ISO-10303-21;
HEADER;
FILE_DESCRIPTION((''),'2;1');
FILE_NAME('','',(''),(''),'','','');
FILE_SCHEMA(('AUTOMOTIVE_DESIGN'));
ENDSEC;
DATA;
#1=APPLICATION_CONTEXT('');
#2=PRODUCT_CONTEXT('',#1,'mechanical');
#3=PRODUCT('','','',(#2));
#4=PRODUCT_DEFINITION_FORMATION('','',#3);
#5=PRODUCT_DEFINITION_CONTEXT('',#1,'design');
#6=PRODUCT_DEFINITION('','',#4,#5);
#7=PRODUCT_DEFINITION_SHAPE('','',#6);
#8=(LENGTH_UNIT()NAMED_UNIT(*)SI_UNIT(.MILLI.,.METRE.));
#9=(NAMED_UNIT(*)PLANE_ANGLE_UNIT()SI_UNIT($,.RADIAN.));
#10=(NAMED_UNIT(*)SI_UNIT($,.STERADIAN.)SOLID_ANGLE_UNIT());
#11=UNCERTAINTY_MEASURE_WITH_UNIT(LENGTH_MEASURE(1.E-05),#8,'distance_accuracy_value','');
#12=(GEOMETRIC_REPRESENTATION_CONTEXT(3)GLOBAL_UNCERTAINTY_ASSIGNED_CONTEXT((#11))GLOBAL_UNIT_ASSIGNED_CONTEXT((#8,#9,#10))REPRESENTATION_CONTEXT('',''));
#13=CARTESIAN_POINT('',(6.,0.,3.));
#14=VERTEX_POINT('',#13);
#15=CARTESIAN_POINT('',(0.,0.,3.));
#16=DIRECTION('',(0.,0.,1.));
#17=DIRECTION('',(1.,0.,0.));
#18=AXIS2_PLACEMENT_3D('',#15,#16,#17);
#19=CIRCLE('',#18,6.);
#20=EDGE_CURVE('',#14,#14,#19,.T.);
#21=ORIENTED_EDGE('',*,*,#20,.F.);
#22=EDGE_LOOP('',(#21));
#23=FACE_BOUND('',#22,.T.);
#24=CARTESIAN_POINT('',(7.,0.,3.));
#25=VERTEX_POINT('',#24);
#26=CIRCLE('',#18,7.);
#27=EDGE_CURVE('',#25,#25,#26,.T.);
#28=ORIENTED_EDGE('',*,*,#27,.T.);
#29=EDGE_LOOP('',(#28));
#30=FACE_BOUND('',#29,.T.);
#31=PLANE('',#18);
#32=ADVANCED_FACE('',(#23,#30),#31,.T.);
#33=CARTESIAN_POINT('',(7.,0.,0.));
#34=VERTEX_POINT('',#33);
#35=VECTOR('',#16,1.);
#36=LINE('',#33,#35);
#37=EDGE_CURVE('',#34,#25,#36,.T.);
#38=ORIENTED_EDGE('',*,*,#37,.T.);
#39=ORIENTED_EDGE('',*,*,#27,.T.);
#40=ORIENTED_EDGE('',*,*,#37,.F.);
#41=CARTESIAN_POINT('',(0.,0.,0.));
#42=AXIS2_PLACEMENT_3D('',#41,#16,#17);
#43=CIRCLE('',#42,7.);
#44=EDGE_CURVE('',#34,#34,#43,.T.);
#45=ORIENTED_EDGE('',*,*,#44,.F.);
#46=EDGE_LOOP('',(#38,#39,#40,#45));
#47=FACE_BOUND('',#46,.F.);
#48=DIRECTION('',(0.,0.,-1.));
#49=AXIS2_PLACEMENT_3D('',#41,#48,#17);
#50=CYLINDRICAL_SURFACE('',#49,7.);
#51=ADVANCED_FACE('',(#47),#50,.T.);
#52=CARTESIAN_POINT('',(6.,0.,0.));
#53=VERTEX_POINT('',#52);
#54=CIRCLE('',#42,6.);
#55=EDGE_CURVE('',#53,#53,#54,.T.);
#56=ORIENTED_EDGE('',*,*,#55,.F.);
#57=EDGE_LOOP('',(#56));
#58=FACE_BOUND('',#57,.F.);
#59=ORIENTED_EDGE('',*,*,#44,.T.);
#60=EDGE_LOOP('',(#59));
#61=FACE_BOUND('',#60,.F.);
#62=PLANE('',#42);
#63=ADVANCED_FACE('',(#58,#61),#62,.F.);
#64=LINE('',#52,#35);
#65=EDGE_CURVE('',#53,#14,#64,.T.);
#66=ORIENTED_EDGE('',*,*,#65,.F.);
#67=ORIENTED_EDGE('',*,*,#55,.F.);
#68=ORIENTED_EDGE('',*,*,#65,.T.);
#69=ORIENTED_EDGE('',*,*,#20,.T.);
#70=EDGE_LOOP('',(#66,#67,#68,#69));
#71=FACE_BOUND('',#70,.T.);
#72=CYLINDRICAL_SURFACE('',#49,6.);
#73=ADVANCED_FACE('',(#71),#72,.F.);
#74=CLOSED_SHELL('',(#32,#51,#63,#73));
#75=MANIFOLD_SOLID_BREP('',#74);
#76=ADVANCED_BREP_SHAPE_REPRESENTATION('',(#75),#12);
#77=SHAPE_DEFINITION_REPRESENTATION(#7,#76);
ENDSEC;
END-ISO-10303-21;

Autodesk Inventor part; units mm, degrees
ref_plane "YZ Plane" through (0, 0, 0) normal (1, 0, 0) x (0, 1, 0)
ref_plane "XZ Plane" through (0, 0, 0) normal (0, 1, 0) x (-1, 0, 0)
ref_plane "XY Plane" through (0, 0, 0) normal (0, 0, 1) x (1, 0, 0)
sketch "スケッチ1" plane through (0, 0, 0) normal (0, 0, 1) x (1, 0, 0)
  circle A0 centre (0, 0) radius 6
  circle A1 centre (0, 0) radius 7
  dimension "d0" = 12
  dimension "d1" = 14
extrude "押し出し1" add sketch "スケッチ1" along normal blind 3
properties part number "オイレス　d12-D14-L3" material "アセタール樹脂、黒"
